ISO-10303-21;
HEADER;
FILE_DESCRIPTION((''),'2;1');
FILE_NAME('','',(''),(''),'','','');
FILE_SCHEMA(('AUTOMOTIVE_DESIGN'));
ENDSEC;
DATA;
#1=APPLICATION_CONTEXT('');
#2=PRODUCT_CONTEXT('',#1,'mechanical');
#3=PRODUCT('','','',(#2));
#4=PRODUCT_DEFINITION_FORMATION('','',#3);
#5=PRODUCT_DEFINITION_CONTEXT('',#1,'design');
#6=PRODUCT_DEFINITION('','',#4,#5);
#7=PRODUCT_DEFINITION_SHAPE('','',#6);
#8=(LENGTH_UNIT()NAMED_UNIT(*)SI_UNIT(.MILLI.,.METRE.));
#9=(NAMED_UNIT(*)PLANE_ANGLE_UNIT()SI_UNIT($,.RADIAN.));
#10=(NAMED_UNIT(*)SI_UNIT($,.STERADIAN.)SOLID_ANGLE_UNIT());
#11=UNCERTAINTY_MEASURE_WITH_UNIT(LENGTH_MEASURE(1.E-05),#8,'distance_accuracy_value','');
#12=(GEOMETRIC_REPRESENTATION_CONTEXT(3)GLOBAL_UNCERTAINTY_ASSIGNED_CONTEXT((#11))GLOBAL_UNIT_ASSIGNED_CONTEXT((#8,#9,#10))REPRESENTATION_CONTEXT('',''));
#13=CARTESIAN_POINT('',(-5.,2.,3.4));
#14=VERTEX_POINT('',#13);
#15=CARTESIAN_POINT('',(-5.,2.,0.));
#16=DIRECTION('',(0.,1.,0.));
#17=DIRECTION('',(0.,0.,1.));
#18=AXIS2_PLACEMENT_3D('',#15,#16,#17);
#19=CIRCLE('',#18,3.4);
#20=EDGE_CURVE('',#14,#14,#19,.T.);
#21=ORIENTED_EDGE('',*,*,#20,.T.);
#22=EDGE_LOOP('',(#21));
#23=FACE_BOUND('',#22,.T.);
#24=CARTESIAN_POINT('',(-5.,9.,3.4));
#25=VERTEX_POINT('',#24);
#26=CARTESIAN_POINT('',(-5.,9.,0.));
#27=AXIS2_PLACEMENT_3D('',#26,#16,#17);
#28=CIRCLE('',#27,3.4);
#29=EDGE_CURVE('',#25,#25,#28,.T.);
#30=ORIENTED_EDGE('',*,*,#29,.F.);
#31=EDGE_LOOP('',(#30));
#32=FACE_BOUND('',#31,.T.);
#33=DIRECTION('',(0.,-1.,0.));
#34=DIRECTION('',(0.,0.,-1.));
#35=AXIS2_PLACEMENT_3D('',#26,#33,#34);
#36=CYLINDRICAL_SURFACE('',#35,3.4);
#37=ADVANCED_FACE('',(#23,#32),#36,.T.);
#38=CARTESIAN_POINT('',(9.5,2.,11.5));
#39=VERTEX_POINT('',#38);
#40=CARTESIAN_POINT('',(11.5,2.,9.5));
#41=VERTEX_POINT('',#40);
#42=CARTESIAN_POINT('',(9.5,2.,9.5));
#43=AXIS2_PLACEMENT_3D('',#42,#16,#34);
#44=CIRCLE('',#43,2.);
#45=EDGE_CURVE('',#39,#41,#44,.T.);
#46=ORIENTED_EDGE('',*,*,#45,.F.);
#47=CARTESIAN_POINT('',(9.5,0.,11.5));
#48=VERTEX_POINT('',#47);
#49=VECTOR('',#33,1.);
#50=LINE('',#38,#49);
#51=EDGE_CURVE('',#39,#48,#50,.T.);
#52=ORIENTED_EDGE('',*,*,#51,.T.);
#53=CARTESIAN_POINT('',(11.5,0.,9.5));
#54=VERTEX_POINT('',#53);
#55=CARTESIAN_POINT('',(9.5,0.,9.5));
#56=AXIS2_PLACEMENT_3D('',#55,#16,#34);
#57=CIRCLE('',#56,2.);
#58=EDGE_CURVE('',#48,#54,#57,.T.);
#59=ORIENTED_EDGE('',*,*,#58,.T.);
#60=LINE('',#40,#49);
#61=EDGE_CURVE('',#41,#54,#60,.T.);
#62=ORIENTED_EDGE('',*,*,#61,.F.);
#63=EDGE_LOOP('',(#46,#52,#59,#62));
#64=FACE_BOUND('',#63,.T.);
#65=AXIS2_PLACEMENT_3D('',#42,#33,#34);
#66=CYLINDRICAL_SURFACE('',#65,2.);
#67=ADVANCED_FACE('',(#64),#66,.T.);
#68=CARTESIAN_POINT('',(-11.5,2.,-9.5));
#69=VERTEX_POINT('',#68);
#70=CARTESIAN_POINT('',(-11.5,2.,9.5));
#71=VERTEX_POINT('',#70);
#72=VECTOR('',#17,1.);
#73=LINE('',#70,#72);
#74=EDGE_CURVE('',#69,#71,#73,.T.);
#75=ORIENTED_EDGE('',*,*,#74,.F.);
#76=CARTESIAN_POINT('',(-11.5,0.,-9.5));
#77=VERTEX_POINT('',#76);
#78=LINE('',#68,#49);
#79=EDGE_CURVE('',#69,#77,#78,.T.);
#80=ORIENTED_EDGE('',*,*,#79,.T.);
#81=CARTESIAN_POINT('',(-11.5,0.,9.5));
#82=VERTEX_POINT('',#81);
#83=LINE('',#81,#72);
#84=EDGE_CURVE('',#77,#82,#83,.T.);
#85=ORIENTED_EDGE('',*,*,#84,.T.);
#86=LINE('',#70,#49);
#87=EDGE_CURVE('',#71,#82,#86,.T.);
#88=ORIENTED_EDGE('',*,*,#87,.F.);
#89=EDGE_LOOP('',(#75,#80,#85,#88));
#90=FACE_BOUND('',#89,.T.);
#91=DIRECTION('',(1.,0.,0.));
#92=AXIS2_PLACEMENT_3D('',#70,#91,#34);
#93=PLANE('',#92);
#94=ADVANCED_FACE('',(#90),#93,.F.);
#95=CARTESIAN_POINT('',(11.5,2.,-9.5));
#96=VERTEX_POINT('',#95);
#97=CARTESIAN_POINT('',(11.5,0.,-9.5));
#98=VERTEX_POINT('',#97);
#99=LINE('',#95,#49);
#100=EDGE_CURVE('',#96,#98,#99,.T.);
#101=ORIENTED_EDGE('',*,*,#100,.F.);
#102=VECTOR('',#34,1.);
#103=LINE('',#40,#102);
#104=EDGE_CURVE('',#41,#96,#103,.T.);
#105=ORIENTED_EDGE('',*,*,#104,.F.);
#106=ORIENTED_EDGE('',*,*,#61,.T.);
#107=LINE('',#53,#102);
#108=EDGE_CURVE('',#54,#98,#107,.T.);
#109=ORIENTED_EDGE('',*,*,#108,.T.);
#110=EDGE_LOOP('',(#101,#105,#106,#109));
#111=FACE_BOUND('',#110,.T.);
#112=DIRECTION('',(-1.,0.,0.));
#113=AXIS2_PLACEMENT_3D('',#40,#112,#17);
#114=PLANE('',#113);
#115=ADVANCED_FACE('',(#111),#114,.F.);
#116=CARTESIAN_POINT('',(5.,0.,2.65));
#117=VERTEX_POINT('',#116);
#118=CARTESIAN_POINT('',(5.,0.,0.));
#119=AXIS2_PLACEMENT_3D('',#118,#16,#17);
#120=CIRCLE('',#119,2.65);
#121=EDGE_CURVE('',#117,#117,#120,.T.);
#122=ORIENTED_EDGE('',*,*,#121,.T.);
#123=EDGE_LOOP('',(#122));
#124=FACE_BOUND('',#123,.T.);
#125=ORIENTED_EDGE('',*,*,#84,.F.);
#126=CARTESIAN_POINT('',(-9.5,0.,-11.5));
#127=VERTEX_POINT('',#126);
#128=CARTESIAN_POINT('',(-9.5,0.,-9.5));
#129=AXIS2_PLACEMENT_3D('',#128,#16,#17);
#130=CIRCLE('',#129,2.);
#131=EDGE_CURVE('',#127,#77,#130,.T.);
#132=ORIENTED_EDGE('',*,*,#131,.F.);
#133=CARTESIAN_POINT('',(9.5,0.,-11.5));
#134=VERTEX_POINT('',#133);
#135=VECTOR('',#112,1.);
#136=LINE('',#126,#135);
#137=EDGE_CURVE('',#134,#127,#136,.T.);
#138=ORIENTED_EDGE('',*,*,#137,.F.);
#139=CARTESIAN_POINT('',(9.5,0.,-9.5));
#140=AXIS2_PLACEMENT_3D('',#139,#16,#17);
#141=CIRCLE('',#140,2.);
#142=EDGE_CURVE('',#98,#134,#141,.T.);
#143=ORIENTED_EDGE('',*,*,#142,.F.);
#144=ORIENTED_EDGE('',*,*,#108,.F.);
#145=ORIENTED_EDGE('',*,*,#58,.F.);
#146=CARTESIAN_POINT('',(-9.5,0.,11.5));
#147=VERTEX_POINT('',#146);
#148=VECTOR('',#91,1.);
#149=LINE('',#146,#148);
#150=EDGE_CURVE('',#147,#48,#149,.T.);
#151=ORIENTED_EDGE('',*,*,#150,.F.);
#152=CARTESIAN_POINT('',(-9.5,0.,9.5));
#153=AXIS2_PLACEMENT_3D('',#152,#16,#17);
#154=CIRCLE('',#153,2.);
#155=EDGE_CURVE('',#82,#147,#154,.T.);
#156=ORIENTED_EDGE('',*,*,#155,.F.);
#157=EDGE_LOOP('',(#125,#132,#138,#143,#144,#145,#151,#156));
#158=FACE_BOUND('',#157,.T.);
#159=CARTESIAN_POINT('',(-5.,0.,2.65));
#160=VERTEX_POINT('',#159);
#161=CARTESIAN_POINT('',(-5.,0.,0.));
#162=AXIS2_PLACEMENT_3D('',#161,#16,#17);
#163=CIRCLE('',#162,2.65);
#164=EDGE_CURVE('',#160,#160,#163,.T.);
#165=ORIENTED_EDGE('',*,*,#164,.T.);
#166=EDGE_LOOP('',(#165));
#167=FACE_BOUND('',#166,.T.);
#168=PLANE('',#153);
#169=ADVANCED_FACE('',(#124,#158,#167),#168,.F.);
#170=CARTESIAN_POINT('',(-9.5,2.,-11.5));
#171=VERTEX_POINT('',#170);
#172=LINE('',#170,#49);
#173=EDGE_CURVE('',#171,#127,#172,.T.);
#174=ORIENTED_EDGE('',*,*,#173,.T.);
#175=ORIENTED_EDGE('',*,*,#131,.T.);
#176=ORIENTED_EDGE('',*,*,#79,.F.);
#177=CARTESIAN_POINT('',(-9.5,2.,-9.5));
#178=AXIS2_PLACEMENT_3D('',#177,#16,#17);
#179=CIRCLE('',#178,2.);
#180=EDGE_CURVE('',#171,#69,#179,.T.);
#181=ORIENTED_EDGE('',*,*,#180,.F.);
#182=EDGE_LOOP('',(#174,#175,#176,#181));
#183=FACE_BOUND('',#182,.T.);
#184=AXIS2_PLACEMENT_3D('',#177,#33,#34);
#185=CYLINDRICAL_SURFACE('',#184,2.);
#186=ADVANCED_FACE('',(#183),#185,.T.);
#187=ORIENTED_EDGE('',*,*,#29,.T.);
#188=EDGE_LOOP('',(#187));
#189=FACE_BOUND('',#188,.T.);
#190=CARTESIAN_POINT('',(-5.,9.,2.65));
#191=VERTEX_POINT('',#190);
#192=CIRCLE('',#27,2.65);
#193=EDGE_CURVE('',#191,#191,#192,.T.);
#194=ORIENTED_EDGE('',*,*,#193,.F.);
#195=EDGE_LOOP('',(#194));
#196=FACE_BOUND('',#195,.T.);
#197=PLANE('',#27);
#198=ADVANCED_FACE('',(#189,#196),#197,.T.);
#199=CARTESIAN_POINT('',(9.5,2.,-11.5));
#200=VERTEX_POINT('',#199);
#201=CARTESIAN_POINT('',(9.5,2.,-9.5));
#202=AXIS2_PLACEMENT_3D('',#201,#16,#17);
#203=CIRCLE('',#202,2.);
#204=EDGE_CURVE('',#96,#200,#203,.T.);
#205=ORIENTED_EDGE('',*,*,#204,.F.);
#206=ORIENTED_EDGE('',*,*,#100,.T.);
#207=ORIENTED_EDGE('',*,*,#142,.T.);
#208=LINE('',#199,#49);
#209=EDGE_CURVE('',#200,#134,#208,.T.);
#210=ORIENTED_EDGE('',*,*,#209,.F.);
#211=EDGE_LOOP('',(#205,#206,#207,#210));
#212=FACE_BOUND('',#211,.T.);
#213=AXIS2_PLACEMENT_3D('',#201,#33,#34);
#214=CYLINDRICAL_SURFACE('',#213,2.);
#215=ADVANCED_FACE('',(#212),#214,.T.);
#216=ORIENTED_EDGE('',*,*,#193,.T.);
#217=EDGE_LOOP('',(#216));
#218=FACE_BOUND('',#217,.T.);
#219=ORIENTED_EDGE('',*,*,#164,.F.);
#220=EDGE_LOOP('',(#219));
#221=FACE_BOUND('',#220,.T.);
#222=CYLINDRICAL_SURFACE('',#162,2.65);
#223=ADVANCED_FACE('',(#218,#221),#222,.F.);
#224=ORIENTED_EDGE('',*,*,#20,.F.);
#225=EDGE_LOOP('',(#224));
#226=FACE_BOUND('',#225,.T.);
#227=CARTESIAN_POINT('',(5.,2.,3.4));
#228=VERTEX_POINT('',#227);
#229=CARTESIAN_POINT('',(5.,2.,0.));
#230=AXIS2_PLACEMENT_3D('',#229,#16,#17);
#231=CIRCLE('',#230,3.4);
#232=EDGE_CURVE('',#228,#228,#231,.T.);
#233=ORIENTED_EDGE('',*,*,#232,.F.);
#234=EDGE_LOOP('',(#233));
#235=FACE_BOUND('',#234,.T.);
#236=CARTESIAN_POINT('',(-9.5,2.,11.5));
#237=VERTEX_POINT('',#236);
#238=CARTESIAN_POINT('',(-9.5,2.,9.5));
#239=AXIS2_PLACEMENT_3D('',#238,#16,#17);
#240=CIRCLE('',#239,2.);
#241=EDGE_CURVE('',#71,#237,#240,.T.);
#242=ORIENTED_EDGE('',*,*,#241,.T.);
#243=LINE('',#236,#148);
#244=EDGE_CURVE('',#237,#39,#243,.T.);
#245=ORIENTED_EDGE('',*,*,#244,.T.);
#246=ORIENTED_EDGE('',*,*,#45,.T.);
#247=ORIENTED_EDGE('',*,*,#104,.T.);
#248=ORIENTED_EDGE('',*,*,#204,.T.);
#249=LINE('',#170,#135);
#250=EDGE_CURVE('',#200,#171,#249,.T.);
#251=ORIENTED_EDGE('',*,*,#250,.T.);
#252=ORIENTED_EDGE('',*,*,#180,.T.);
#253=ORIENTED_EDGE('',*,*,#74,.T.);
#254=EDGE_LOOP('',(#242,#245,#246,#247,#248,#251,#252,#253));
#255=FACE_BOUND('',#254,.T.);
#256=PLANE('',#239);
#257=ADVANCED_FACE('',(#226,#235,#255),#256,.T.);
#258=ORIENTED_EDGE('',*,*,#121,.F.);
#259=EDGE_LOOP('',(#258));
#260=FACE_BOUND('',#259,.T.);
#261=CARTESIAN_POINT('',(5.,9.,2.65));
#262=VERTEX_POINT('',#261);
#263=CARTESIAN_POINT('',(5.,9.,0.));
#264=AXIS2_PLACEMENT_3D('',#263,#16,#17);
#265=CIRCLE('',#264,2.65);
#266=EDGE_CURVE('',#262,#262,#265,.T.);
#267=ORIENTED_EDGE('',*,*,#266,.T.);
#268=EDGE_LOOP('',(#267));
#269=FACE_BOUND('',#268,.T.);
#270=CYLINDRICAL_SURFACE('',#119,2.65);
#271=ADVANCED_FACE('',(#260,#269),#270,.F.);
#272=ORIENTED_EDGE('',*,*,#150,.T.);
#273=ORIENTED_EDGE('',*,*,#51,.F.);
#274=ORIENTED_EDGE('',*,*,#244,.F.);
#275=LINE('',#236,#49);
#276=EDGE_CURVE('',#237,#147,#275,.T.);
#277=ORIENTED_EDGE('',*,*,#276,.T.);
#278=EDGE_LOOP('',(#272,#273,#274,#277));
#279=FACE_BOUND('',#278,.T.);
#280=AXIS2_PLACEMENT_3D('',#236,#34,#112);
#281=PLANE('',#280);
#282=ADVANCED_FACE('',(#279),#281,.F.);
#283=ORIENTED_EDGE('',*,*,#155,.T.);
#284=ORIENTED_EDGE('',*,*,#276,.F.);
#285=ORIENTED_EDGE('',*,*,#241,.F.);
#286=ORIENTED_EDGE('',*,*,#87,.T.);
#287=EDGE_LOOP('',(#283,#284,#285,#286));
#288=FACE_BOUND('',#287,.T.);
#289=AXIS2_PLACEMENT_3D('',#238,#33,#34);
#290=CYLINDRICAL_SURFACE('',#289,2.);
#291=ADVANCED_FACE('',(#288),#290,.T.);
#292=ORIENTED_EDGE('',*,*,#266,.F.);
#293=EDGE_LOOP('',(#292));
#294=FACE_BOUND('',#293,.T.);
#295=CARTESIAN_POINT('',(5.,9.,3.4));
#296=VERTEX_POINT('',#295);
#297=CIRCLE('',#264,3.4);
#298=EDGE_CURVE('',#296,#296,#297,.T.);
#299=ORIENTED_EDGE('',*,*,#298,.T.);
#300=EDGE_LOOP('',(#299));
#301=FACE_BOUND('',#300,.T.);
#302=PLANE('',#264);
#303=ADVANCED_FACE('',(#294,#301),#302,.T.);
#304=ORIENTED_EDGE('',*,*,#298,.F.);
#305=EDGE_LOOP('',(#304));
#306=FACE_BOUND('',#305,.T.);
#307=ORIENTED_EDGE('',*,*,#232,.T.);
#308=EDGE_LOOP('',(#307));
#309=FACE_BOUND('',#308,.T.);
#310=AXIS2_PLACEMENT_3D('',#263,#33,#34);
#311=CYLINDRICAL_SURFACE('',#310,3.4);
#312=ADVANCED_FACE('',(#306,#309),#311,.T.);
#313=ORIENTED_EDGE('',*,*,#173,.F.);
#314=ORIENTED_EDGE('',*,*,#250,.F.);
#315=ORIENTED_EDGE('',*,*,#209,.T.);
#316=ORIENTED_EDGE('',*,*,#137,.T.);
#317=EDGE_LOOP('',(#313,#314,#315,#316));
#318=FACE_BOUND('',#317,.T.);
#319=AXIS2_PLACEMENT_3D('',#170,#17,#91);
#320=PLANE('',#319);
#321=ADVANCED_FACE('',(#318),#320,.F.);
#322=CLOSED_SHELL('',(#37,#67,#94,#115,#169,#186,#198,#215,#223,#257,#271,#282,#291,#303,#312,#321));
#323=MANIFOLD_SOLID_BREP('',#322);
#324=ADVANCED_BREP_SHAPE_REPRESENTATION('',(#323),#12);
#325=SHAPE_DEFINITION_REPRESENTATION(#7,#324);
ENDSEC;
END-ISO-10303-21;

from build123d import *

# Parameters (mm, degrees)
BOSS_EXTRUDE1_DEPTH = 2
SKETCH2_R           = 3.4
BOSS_EXTRUDE2_DEPTH = 7
SKETCH3_R           = 2.65
CUT_EXTRUDE1_DEPTH  = 19.587630295


with BuildPart() as part:
    # Sketch1 → Boss-Extrude1 (new body)
    with BuildSketch(Plane(origin=(0, 0, 0), x_dir=(1, 0, 0), z_dir=(0, 1, 0))):
        with BuildLine():
            Line((-9.5, -11.5), (9.5, -11.5))
            ThreePointArc((9.5, -11.5), (10.914213562, -10.914213562), (11.5, -9.5))
            Line((11.5, -9.5), (11.5, 9.5))
            ThreePointArc((11.5, 9.5), (10.914213562, 10.914213562), (9.5, 11.5))
            Line((9.5, 11.5), (-9.5, 11.5))
            ThreePointArc((-9.5, 11.5), (-10.914213562, 10.914213562), (-11.5, 9.5))
            Line((-11.5, 9.5), (-11.5, -9.5))
            ThreePointArc((-11.5, -9.5), (-10.914213562, -10.914213562), (-9.5, -11.5))
        make_face()
    extrude(amount=BOSS_EXTRUDE1_DEPTH)

    # Sketch2 → Boss-Extrude2 (add)
    with BuildSketch(Plane(origin=(0, 2, 0), x_dir=(1, 0, 0), z_dir=(0, 1, 0))):
        with Locations(Location((-5, 0, 0), (0, 0, 270))):
            Circle(SKETCH2_R)
        with Locations(Location((5, 0, 0), (0, 0, 270))):
            Circle(SKETCH2_R)
    extrude(amount=BOSS_EXTRUDE2_DEPTH)

    # Sketch3 → Cut-Extrude1 (cut, through all)
    with BuildSketch(Plane(origin=(0, 9, 0), x_dir=(1, 0, 0), z_dir=(0, 1, 0))):
        with Locations(Location((-5, 0, 0), (0, 0, 270))):
            Circle(SKETCH3_R)
        with Locations(Location((5, 0, 0), (0, 0, 270))):
            Circle(SKETCH3_R)
    extrude(amount=-CUT_EXTRUDE1_DEPTH, mode=Mode.SUBTRACT)


solid = part.part
